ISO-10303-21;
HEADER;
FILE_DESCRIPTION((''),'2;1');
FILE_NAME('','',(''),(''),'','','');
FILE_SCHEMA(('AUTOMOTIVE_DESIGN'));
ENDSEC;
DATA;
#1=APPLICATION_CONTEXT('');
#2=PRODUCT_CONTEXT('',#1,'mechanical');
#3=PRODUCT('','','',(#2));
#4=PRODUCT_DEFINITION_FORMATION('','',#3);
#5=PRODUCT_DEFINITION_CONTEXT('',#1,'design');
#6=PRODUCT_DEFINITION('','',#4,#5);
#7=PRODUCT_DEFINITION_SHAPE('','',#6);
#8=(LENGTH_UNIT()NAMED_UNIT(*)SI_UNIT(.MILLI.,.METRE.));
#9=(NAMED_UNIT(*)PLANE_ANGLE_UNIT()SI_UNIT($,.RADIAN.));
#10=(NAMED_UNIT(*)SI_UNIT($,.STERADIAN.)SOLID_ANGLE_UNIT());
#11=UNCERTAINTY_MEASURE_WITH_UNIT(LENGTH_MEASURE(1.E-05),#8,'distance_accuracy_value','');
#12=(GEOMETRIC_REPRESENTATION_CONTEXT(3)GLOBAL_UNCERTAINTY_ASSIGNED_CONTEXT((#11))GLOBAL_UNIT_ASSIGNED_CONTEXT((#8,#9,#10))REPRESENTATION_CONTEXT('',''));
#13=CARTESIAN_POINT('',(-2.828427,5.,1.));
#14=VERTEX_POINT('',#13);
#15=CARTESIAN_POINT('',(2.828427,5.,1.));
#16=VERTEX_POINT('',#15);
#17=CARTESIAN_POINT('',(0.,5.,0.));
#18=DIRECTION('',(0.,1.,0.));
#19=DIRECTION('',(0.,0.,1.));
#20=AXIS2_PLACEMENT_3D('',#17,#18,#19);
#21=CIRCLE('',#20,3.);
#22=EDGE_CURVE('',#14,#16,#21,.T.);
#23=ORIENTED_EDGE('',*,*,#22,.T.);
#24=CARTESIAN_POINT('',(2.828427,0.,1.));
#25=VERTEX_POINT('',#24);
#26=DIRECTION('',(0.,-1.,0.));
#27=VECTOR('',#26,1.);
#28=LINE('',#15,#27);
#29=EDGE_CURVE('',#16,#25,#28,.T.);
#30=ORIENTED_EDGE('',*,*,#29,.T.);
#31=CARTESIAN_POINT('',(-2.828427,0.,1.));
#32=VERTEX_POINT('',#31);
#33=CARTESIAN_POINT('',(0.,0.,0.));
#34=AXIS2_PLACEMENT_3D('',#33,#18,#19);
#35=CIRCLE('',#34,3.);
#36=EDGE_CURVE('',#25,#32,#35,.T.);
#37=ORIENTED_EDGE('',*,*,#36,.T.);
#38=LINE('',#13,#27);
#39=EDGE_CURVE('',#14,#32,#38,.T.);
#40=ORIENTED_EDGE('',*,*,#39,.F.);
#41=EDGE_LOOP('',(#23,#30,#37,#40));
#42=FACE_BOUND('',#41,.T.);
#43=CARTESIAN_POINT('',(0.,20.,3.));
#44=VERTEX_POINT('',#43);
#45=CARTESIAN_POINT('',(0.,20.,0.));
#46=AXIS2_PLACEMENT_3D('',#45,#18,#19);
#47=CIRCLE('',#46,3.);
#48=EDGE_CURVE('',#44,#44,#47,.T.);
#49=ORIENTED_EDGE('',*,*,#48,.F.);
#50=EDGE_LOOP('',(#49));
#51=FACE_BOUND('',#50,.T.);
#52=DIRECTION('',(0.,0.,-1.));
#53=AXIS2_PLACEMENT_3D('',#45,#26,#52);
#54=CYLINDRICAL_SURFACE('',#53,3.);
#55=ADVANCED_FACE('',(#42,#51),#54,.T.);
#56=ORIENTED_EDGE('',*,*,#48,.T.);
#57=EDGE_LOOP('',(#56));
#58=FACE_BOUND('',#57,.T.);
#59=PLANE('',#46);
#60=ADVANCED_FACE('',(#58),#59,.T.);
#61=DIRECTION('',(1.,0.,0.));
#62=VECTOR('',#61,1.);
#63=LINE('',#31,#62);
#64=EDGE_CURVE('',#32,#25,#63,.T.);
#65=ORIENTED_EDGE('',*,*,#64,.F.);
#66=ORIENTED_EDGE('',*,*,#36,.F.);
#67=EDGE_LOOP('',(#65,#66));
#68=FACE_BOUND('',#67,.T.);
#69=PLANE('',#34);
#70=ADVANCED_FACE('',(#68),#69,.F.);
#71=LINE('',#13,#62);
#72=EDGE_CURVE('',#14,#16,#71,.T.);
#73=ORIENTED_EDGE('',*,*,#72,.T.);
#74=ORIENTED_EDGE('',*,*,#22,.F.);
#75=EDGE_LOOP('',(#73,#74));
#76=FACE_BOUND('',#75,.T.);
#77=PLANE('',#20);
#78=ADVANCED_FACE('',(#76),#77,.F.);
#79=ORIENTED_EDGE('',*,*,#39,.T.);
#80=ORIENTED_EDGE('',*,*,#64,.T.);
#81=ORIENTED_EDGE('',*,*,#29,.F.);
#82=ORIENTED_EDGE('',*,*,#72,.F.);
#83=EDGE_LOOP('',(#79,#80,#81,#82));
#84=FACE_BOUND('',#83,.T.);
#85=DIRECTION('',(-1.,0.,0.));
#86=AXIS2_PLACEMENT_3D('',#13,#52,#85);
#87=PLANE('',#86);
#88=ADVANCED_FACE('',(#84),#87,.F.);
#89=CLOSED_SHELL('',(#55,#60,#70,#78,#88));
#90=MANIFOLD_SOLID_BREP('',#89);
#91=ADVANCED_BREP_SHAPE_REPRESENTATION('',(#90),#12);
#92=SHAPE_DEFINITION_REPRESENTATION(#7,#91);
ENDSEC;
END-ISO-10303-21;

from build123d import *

# Parameters (mm, degrees)
SKETCH1_R           = 3
BOSS_EXTRUDE1_DEPTH = 20
CUT_EXTRUDE1_DEPTH  = 5


with BuildPart() as part:
    # Sketch1 → Boss-Extrude1 (new body)
    with BuildSketch(Plane(origin=(0, 0, 0), x_dir=(1, 0, 0), z_dir=(0, 1, 0))):
        Circle(SKETCH1_R)
    extrude(amount=BOSS_EXTRUDE1_DEPTH)

    # Sketch2 → Cut-Extrude1 (cut)
    with BuildSketch(Plane.XZ):
        with BuildLine():
            Line((-2.828427125, 1), (2.828427125, 1))
            ThreePointArc((2.828427125, 1), (0, 3), (-2.828427125, 1))
        make_face()
    extrude(amount=-CUT_EXTRUDE1_DEPTH, mode=Mode.SUBTRACT)


solid = part.part
